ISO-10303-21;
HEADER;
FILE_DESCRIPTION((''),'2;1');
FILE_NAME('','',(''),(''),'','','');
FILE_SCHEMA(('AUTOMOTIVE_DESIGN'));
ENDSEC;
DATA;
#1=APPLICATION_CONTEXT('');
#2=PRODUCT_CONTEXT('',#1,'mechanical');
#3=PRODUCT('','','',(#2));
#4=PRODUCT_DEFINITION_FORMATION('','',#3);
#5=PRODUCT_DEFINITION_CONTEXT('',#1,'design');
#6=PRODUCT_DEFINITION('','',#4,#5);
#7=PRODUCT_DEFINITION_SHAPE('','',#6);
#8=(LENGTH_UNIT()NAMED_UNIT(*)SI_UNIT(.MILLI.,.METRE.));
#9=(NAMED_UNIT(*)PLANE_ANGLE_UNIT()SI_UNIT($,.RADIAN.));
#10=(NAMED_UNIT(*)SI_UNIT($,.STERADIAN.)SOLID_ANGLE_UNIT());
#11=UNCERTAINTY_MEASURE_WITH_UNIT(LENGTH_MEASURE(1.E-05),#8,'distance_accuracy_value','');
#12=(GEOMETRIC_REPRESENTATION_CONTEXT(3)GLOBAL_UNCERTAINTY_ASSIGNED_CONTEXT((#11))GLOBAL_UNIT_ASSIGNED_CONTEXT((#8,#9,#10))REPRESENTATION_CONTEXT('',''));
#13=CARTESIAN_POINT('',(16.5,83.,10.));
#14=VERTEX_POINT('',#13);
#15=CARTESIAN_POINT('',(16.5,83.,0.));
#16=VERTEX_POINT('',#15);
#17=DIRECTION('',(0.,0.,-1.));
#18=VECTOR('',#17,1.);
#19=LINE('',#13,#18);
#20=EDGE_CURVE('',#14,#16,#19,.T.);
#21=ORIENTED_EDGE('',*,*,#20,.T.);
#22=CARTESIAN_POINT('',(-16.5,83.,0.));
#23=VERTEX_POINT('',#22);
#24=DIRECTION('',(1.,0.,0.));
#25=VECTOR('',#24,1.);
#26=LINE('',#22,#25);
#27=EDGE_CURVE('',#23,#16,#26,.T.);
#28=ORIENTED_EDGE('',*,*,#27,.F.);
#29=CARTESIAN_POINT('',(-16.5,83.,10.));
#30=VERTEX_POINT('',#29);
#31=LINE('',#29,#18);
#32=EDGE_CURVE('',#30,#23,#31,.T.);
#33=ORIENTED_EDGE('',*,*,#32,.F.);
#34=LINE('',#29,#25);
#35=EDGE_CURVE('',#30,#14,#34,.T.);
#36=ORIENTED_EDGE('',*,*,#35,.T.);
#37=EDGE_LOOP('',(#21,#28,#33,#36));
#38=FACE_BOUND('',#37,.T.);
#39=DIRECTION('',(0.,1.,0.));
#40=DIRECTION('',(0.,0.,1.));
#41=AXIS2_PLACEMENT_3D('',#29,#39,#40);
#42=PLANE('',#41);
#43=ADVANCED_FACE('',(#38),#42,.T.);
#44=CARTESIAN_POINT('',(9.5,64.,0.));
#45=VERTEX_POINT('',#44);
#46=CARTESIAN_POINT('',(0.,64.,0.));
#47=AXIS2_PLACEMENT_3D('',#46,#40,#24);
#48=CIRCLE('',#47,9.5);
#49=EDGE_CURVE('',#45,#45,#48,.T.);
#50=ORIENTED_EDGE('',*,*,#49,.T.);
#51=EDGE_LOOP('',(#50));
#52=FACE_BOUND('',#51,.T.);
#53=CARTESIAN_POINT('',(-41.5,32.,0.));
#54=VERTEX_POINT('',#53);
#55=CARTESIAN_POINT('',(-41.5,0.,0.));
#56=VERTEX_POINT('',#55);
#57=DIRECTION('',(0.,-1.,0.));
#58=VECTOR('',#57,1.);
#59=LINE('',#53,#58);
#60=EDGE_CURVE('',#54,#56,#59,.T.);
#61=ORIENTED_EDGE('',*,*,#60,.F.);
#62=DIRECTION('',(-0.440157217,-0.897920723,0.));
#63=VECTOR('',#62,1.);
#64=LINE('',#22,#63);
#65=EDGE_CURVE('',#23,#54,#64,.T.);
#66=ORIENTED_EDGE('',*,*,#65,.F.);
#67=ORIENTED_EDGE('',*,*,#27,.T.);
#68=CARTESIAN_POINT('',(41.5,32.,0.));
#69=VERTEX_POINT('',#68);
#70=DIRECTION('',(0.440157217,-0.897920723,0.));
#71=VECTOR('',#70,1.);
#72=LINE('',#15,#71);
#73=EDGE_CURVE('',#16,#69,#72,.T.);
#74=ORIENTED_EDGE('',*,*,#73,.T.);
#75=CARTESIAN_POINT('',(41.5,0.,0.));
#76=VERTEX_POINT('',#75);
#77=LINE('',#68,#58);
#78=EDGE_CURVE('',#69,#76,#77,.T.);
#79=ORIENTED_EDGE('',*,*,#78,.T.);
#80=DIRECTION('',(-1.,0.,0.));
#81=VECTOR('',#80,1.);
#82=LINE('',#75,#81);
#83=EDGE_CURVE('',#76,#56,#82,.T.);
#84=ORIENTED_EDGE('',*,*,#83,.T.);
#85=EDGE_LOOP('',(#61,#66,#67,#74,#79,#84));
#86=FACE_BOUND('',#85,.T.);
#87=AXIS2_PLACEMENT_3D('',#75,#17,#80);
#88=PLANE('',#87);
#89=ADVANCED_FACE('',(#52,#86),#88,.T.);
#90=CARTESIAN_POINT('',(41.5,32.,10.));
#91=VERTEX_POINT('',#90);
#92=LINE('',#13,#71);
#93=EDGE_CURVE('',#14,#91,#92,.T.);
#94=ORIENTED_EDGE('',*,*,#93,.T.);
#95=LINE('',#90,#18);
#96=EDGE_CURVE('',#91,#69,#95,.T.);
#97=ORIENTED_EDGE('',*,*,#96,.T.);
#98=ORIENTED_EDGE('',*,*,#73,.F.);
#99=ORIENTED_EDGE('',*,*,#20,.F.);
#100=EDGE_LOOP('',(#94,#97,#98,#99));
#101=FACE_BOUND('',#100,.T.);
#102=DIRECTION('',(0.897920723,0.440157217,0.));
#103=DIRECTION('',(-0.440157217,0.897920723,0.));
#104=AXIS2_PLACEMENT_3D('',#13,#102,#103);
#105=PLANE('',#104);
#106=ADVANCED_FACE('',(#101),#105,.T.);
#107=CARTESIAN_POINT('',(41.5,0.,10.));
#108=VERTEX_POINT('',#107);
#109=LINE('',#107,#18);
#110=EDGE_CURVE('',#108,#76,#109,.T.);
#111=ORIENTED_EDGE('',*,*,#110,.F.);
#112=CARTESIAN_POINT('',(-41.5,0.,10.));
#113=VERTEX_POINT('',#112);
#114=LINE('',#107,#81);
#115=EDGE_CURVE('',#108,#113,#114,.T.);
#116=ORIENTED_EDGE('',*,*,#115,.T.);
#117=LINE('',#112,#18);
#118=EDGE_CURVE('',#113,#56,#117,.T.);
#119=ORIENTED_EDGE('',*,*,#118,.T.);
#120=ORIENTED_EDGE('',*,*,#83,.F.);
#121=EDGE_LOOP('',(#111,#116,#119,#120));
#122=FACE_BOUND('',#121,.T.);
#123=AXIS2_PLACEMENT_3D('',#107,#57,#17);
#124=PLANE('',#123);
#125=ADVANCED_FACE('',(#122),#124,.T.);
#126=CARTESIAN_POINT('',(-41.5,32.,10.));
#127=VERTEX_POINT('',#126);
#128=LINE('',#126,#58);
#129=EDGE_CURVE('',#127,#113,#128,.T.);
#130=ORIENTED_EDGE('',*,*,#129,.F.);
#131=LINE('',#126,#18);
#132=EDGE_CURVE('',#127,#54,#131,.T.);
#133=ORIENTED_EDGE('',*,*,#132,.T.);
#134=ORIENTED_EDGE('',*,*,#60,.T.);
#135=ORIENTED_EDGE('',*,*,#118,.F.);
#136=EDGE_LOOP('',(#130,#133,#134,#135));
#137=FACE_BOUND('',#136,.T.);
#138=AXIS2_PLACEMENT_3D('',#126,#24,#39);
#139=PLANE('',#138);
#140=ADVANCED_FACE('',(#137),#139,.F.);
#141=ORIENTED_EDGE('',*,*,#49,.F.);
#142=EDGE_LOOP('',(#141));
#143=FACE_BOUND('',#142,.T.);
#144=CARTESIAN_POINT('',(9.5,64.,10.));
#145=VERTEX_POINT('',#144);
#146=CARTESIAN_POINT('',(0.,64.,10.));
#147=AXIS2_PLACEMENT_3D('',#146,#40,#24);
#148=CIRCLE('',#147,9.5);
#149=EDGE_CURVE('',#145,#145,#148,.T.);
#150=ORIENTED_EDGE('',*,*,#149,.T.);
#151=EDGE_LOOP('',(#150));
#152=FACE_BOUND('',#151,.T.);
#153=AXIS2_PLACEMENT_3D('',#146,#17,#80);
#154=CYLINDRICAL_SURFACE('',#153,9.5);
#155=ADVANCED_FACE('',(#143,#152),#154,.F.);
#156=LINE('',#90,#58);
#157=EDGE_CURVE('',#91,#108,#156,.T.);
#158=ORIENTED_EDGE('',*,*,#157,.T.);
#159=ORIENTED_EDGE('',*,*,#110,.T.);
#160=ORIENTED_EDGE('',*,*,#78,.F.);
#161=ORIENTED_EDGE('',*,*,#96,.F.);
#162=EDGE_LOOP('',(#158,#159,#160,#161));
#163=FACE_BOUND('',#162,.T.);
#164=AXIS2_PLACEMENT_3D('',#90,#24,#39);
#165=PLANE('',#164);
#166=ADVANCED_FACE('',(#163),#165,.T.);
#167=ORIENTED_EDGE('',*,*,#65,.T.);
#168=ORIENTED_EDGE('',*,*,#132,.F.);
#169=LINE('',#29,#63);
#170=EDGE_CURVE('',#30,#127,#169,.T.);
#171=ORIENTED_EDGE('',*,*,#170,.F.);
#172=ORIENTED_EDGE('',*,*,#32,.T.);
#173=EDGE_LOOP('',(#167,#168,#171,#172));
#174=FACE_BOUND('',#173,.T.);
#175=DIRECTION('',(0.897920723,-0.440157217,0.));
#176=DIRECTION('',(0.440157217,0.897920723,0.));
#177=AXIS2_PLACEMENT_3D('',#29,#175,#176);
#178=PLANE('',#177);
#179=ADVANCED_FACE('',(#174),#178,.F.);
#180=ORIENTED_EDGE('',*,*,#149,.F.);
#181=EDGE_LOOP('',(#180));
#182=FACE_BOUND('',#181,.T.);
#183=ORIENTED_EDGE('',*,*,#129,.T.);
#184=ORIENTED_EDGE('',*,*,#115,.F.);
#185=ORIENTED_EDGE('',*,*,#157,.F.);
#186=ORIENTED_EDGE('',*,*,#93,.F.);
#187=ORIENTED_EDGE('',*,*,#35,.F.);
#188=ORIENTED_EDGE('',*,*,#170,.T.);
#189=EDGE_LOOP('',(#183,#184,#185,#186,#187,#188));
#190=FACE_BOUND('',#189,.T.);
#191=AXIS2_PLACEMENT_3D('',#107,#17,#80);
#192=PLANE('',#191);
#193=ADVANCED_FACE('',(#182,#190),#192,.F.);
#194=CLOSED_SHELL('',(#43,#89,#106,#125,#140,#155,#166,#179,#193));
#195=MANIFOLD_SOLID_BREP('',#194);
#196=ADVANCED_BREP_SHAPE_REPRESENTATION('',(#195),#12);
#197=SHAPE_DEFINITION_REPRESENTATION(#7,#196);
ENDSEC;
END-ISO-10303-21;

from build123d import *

# Parameters (mm, degrees)
SKETCH1_R          = 9.5
BASE_EXTRUDE_DEPTH = 10


with BuildPart() as part:
    # Sketch1 → Base-Extrude (new body)
    with BuildSketch(Plane.XY):
        Polygon((-16.5, 83), (16.5, 83), (41.5, 32), (41.5, 0), (-41.5, 0), (-41.5, 32), align=None)
        with Locations((0, 64)):
            Circle(SKETCH1_R, mode=Mode.SUBTRACT)
    extrude(amount=BASE_EXTRUDE_DEPTH)


solid = part.part
